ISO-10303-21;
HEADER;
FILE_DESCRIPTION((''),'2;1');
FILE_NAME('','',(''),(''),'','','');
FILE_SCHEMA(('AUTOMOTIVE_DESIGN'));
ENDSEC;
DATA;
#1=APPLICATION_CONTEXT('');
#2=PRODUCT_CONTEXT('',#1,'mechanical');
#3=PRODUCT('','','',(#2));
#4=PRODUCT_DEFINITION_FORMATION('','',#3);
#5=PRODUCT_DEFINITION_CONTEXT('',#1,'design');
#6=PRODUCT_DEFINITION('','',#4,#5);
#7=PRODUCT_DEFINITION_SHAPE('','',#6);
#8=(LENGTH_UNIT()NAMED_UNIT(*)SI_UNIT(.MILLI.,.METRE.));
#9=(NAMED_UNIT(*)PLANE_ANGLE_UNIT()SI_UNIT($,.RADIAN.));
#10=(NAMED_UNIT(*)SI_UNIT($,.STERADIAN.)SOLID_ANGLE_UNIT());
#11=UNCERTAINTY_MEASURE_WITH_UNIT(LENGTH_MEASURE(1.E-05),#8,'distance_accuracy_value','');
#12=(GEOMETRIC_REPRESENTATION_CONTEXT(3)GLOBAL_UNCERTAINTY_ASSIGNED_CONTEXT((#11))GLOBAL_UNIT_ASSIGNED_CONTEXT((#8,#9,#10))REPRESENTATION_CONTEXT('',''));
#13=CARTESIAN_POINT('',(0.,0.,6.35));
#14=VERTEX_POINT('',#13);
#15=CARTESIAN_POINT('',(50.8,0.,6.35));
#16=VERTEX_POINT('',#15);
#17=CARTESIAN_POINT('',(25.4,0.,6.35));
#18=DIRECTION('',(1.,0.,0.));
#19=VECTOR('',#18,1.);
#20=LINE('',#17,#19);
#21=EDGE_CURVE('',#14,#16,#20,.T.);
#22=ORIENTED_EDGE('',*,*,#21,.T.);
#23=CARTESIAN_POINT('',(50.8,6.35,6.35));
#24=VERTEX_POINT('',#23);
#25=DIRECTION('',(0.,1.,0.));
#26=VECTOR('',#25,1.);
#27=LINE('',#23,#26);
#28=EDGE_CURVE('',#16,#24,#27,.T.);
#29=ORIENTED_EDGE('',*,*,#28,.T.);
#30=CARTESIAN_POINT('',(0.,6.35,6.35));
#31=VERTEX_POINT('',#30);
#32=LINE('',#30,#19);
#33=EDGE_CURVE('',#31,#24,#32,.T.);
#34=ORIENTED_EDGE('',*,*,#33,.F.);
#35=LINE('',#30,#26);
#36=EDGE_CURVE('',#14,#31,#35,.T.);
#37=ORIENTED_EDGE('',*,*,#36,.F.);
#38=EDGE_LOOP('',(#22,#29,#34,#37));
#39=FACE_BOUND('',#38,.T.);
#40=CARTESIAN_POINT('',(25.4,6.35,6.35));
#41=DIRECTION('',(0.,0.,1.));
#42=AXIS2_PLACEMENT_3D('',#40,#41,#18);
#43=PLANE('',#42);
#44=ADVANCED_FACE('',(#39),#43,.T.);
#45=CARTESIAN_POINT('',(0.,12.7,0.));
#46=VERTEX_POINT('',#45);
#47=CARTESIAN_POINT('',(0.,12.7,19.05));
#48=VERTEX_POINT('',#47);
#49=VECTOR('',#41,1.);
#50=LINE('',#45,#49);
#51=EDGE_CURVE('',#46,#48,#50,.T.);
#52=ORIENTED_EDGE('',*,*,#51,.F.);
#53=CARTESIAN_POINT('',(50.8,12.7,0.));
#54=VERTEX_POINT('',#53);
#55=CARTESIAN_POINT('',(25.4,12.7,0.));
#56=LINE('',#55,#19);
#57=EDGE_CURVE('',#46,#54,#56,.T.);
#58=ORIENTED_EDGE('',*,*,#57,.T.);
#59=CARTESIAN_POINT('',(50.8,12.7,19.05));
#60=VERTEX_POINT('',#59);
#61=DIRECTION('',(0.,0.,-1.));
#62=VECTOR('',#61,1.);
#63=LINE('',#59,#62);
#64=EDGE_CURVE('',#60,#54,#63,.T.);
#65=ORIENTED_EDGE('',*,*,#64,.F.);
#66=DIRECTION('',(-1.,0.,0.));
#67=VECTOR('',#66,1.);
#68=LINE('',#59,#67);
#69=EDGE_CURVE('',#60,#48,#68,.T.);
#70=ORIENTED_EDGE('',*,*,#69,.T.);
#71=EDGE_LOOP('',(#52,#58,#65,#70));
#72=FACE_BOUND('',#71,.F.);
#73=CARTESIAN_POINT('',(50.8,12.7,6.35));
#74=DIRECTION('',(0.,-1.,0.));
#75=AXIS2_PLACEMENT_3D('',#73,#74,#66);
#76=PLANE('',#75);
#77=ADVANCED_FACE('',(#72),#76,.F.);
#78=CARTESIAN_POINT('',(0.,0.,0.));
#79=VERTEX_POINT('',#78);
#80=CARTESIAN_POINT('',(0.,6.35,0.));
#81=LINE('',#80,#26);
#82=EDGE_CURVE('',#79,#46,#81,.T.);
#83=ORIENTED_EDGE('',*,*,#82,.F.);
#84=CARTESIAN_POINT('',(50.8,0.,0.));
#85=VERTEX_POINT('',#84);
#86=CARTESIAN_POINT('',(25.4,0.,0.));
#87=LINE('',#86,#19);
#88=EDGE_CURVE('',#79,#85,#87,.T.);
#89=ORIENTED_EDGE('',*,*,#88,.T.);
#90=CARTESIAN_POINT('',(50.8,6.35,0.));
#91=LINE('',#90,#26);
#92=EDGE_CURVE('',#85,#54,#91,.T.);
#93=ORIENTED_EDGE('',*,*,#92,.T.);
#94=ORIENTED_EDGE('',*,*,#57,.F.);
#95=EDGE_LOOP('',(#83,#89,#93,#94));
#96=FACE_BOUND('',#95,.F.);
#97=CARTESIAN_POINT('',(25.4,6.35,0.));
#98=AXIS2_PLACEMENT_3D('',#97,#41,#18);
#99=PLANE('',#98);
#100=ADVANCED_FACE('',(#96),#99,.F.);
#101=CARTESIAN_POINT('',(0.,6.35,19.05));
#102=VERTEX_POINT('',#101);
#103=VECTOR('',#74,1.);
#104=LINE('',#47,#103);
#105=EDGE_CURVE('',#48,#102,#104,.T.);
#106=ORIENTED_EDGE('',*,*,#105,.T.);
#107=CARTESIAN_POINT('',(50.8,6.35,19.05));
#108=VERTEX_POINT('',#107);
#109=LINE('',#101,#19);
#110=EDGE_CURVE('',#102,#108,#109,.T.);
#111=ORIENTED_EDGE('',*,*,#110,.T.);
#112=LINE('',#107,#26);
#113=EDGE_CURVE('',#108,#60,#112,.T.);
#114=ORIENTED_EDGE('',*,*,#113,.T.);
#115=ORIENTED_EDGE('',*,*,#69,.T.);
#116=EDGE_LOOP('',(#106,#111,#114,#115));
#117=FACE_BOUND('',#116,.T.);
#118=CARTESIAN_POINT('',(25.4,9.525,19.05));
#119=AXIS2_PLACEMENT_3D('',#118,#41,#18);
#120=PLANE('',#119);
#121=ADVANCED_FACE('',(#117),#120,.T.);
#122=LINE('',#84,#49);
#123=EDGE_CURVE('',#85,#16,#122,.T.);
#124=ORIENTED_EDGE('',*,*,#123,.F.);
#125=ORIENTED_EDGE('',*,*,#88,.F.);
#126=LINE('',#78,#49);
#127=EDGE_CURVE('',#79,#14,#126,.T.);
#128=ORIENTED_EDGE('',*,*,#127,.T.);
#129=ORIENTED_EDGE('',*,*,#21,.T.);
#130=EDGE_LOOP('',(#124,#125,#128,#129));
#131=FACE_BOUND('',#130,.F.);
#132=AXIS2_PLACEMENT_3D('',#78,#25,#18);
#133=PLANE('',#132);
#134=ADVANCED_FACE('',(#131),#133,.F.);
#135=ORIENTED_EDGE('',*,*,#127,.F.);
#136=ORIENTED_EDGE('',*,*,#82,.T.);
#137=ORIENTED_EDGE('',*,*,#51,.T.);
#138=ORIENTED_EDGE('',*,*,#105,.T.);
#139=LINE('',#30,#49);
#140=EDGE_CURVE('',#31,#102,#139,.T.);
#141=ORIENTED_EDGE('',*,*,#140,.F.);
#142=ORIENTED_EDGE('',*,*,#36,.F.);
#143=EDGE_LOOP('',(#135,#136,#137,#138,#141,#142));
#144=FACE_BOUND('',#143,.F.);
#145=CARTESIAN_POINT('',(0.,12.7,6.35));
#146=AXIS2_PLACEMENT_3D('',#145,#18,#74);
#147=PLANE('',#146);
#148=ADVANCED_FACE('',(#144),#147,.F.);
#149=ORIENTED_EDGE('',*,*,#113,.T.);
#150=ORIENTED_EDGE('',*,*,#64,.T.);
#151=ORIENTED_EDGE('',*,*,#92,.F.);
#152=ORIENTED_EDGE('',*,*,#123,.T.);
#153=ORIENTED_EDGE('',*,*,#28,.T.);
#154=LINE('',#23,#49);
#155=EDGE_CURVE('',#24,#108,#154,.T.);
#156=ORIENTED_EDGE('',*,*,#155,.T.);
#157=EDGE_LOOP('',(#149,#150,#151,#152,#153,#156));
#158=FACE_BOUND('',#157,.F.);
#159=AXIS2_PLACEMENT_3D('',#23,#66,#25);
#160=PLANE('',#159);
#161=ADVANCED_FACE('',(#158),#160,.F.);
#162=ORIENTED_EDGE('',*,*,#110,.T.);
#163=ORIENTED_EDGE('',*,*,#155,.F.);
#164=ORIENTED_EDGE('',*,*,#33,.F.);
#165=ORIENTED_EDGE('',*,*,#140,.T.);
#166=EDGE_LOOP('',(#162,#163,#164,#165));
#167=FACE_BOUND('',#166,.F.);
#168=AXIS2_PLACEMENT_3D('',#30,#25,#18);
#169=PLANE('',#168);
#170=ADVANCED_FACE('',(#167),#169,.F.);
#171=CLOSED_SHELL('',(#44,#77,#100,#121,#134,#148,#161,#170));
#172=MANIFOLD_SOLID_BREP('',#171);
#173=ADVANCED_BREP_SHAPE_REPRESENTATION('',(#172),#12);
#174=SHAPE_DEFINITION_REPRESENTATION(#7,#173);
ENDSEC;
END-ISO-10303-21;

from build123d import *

# Parameters (mm, degrees)
F0_W     = 50.8
F0_H     = 12.7
F1_DEPTH = 6.35
F3_DEPTH = 12.7


with BuildPart() as f1:
    # F0 (on Top) → F1 (new body)
    with BuildSketch(Plane.XY):
        with Locations((25.4, 6.35)):
            Rectangle(F0_W, F0_H)
    extrude(amount=F1_DEPTH)

    # F2 (on face) → F3 (join)
    with BuildSketch(Plane.XY.offset(6.35)):
        Polygon((50.8, 12.7), (0, 12.7), (0, 6.35), (19.05, 6.35), (25.4, 6.35), (31.75, 6.35), (50.8, 6.35), align=None)
    extrude(amount=F3_DEPTH)


solid = f1.part
